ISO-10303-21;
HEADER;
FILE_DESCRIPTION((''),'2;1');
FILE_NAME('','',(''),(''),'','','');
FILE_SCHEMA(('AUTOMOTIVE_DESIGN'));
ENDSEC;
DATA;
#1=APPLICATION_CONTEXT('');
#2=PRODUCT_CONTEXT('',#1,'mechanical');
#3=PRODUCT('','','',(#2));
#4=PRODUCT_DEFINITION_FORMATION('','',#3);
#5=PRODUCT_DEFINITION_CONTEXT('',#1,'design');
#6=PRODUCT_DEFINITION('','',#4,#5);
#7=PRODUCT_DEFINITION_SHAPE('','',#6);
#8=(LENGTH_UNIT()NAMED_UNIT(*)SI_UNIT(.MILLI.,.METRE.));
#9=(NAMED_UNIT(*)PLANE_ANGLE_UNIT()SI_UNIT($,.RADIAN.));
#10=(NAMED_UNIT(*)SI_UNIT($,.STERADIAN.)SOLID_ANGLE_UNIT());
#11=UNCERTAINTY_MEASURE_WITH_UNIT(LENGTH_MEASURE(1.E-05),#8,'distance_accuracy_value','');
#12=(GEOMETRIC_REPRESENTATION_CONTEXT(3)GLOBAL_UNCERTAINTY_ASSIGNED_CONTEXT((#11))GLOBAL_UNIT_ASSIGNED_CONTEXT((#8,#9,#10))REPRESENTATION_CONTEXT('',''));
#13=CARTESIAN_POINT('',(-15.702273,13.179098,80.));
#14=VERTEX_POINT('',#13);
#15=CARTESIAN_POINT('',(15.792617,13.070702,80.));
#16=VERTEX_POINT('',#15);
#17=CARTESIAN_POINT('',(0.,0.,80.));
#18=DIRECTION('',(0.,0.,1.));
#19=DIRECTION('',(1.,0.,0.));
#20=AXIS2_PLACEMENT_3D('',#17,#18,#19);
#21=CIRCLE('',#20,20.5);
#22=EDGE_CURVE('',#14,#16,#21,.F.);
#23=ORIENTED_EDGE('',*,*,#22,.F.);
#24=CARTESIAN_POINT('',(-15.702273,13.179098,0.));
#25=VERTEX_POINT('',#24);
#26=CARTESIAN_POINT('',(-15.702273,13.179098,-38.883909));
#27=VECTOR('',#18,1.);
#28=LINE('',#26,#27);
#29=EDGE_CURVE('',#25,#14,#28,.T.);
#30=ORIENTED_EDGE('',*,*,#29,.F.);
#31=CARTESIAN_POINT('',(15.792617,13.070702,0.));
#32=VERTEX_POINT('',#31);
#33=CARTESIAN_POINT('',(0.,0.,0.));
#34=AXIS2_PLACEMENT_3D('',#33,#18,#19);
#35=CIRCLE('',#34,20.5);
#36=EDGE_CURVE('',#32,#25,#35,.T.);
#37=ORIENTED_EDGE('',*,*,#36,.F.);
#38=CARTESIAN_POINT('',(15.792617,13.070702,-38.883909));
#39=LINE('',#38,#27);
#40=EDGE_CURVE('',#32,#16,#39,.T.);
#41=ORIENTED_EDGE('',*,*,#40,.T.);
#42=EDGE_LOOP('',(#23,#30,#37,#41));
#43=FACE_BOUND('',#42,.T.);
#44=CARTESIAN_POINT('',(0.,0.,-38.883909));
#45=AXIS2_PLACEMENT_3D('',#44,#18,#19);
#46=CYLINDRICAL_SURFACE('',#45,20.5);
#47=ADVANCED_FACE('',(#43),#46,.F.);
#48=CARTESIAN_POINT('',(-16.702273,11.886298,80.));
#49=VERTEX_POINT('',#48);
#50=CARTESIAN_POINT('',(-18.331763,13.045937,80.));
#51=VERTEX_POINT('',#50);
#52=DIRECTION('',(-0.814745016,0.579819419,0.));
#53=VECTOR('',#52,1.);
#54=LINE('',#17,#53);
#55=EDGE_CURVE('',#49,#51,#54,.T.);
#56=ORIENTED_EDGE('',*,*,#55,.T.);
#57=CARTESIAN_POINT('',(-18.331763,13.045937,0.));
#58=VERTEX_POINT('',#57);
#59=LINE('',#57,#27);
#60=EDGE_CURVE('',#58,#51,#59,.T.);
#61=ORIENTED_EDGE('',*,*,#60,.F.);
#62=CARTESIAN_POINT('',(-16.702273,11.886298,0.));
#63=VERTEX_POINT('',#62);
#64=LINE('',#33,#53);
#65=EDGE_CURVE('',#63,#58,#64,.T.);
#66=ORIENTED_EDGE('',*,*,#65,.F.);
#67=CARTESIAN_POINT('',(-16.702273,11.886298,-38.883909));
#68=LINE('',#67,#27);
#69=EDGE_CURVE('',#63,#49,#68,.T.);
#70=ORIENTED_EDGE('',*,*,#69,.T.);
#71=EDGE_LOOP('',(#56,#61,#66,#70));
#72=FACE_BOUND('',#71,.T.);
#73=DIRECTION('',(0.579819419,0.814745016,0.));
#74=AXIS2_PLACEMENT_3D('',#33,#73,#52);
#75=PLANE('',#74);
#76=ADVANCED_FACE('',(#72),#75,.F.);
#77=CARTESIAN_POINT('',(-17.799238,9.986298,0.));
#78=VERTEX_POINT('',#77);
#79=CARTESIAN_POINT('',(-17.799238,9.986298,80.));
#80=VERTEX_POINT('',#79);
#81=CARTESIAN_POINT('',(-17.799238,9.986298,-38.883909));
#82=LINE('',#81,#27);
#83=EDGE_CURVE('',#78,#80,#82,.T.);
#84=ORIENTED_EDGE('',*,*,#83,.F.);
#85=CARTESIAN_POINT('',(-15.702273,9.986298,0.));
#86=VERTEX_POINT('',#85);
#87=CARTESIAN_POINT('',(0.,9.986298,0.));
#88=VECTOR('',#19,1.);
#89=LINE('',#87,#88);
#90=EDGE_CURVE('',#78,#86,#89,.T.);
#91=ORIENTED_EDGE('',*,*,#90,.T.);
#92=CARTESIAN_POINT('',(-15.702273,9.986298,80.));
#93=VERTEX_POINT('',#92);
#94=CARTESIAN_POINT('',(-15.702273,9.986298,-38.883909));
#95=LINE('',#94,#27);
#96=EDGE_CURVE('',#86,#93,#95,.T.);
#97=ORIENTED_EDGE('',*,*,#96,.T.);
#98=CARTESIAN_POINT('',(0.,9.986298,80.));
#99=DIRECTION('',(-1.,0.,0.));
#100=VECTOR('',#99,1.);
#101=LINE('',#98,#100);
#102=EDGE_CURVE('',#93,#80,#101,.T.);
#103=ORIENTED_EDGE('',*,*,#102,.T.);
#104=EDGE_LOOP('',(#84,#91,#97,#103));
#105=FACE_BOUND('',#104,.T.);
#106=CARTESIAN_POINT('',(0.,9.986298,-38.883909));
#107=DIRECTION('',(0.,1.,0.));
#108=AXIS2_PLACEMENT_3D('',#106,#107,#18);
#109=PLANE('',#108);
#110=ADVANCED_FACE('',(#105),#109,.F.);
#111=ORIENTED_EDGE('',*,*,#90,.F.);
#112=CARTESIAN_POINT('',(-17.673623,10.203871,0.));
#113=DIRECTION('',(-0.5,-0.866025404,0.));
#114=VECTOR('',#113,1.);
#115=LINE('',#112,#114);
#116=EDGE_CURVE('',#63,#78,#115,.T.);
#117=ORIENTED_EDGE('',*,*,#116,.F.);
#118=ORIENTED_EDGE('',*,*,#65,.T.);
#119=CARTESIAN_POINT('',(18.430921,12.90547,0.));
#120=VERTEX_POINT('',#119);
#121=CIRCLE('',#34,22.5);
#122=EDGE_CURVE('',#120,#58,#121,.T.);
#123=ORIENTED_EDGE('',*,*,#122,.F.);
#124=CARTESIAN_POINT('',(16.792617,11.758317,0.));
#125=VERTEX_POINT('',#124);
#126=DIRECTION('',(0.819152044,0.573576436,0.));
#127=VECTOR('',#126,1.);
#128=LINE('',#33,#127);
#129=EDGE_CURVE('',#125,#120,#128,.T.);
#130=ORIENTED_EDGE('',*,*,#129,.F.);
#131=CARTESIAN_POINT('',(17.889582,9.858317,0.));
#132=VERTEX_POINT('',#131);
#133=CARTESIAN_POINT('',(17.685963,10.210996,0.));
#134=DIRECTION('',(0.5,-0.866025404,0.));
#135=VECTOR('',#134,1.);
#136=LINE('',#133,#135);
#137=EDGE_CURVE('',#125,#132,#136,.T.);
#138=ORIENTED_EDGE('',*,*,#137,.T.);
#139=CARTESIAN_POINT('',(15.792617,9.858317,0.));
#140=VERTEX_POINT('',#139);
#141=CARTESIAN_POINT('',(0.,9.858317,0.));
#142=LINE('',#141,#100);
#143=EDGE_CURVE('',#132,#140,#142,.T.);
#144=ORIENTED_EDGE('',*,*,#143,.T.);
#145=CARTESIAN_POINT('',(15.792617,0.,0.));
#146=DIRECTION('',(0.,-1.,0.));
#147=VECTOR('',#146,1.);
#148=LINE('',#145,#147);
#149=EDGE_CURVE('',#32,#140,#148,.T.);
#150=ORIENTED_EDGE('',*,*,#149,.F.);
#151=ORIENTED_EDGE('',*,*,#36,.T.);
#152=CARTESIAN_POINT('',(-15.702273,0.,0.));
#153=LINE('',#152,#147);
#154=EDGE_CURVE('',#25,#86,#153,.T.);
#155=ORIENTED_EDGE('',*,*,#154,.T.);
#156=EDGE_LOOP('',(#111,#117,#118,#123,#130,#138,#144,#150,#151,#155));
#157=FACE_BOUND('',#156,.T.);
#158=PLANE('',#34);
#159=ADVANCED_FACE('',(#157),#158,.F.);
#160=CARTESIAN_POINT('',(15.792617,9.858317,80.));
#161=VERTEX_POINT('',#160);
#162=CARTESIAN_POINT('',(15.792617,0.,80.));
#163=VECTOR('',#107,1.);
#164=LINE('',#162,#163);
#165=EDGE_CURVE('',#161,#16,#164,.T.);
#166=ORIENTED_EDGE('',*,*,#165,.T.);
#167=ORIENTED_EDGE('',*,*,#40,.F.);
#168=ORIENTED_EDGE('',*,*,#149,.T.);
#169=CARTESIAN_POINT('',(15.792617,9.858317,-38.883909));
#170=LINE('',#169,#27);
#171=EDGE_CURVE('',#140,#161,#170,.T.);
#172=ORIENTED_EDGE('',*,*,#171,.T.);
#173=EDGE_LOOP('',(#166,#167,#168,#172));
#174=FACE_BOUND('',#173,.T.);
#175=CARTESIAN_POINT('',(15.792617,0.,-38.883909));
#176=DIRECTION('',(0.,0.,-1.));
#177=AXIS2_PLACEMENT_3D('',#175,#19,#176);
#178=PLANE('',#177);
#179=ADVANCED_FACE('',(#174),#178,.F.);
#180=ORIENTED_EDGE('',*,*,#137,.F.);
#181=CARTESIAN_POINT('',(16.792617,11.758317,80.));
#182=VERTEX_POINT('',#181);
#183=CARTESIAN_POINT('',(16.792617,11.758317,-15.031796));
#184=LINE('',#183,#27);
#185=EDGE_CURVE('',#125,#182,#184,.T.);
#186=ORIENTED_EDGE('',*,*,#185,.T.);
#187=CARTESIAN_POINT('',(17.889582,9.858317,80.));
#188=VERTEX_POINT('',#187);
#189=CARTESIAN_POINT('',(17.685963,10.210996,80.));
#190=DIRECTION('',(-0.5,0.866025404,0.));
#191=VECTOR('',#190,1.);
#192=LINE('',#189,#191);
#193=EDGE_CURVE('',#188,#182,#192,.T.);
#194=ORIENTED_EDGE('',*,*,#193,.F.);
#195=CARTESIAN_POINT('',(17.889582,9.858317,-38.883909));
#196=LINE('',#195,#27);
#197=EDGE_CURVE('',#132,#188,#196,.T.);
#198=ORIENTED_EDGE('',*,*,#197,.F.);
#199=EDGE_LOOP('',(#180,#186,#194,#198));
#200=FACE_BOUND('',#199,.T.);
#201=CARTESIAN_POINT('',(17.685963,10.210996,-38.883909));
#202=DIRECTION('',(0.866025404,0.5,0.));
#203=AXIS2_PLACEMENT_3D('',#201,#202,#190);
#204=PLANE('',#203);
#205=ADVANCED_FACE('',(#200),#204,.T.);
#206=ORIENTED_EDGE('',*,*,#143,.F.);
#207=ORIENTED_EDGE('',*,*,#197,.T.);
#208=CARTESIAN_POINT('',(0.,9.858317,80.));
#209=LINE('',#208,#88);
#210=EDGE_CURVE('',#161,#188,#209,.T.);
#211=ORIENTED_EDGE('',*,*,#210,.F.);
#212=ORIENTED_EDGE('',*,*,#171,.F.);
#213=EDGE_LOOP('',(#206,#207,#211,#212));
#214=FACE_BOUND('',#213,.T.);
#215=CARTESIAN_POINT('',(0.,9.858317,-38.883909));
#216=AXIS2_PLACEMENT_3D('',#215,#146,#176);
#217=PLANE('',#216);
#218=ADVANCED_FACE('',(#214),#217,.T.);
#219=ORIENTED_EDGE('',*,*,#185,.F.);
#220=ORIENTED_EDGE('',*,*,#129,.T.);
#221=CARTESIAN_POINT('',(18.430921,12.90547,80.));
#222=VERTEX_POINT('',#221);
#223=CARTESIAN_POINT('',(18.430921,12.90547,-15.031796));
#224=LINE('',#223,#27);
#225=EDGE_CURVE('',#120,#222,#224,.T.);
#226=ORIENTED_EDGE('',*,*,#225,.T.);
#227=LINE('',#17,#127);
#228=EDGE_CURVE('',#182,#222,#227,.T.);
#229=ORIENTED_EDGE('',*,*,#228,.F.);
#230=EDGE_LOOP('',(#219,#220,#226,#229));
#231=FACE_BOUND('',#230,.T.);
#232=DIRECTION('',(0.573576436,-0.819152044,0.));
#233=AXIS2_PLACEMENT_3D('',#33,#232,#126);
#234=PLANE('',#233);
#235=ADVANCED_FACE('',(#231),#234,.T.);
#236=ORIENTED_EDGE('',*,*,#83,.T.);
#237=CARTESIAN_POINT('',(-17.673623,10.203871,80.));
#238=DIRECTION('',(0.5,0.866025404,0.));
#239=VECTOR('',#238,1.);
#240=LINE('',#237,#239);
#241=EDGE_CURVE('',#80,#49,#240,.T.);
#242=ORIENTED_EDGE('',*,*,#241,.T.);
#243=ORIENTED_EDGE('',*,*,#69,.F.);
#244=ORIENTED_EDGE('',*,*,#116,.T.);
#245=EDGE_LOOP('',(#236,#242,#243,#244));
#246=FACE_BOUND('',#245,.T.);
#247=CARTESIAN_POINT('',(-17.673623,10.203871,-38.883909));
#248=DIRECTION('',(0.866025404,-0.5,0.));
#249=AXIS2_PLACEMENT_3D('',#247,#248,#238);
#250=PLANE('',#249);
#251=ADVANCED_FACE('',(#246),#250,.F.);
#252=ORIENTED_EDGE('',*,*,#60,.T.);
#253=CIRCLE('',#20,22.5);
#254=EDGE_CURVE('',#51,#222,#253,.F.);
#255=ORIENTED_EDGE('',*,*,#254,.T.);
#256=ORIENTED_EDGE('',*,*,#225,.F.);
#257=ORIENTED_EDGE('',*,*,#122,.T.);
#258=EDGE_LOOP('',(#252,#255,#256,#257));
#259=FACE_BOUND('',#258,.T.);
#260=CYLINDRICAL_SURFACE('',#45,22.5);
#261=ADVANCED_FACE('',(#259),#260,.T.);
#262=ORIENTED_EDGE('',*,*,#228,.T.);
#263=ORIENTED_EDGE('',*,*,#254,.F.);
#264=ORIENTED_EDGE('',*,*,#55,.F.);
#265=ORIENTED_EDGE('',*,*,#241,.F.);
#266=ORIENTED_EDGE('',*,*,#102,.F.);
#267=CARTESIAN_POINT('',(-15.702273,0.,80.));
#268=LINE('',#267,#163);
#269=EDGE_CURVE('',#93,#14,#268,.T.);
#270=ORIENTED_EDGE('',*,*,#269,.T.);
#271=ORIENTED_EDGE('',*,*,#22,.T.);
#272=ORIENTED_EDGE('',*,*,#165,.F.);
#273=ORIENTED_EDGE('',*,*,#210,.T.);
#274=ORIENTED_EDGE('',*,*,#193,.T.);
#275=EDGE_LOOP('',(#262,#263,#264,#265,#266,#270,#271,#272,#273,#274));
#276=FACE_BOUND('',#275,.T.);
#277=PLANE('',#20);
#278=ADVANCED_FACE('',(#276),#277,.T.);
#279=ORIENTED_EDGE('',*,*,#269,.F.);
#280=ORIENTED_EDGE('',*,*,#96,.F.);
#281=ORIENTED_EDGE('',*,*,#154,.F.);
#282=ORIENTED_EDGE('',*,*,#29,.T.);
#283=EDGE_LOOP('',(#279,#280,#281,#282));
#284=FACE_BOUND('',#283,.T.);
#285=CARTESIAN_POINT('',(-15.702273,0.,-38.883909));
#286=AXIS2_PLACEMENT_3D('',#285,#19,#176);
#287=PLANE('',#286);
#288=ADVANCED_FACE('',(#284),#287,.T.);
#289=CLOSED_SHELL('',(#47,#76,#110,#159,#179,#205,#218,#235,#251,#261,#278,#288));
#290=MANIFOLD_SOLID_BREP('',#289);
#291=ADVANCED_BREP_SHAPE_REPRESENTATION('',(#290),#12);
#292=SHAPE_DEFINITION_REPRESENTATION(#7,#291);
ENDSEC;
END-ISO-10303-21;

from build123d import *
from build123d.topology import SkipClean

# Parameters (mm, degrees)
SKETCH1_R           = 22.5
SKETCH1_R_2         = 20.5
BOSS_EXTRUDE1_DEPTH = 80
SKETCH2_W           = 45
SKETCH2_H           = 22.5
CUT_EXTRUDE1_DEPTH  = 87.095876789
SKETCH4_W           = 4.401808348
SKETCH4_H           = 1
SKETCH4_W_2         = 1
SKETCH4_H_2         = 3
BOSS_EXTRUDE2_DEPTH = 80
BOSS_EXTRUDE3_START = -80
BOSS_EXTRUDE3_DEPTH = 80
CUT_EXTRUDE2_DEPTH  = 87.095876789


with BuildPart() as part:
    # Sketch1 → Boss-Extrude1 (new body)
    with BuildSketch(Plane.XY):
        Circle(SKETCH1_R)
        Circle(SKETCH1_R_2, mode=Mode.SUBTRACT)
    extrude(amount=BOSS_EXTRUDE1_DEPTH)

    # Sketch2 → Cut-Extrude1 (cut, through all)
    with BuildSketch(Plane.XY.offset(80)):
        with Locations((0, 11.25)):
            Rectangle(SKETCH2_W, SKETCH2_H)
    extrude(amount=-CUT_EXTRUDE1_DEPTH, mode=Mode.SUBTRACT)


with BuildPart() as body_2:
    # Sketch4 → Boss-Extrude2 (new body)
    with BuildSketch(Plane.XY.offset(80)):
        with BuildLine():
            ThreePointArc((22.5, 0), (21.654908627, 6.108594957), (19.183117125, 11.758316945))
            Line((19.183117125, 11.758316945), (19.183117125, 8.758316945))
            Line((19.183117125, 8.758316945), (18.534882905, 8.758316945))
            ThreePointArc((18.534882905, 8.758316945), (20.002688564, 4.488034116), (20.5, 0))
            Line((20.5, 0), (22.5, 0))
        make_face()
        Polygon((16.792616908, 11.758316945), (18.430920997, 12.905469818), (19.183117125, 11.758316945), align=None)
        with BuildLine():
            Line((19.183117125, 8.758316945), (19.183117125, 11.758316945))
            Line((19.183117125, 11.758316945), (16.792616908, 11.758316945))
            ThreePointArc((16.792616908, 11.758316945), (17.439231391, 10.776047906), (18.028456684, 9.758316945))
            ThreePointArc((18.028456684, 9.758316945), (18.288505966, 9.261778962), (18.534882905, 8.758316945))
            Line((18.534882905, 8.758316945), (19.183117125, 8.758316945))
        make_face()
        with BuildLine():
            Line((15.792616908, 9.758316945), (15.792616908, 11.758316945))
            Line((15.792616908, 11.758316945), (14.792616908, 11.758316945))
            Line((14.792616908, 11.758316945), (14.792616908, 8.758316945))
            Line((14.792616908, 8.758316945), (18.534882905, 8.758316945))
            ThreePointArc((18.534882905, 8.758316945), (18.288505966, 9.261778962), (18.028456684, 9.758316945))
            Line((18.028456684, 9.758316945), (15.792616908, 9.758316945))
        make_face()
        with BuildLine():
            Line((-16.702272837, 11.886298081), (-18.340620511, 13.033481472))
            ThreePointArc((-18.340620511, 13.033481472), (-21.43494765, 6.840542322), (-22.5, 0))
            Line((-22.5, 0), (-20.5, 0))
            ThreePointArc((-20.5, 0), (-19.527501033, 6.239126815), (-16.702272837, 11.886298081))
        make_face()
        with Locations((-16.903177011, 9.386298081)):
            Rectangle(SKETCH4_W, SKETCH4_H)
        with Locations((-15.202272837, 10.386298081)):
            Rectangle(SKETCH4_W_2, SKETCH4_H_2)
    extrude(amount=-BOSS_EXTRUDE2_DEPTH)

    # Sketch5 → Boss-Extrude3 (add)
    with SkipClean():  # the faces are left unmerged after this step: merging them gives an invalid solid
        with BuildSketch(Plane.XY.offset(80).offset(BOSS_EXTRUDE3_START)):
            with BuildLine():
                Line((16.792616908, 14.391966981), (16.792616908, 11.758316945))
                Line((16.792616908, 11.758316945), (18.430920997, 12.905469818))
                ThreePointArc((18.430920997, 12.905469818), (0.078328094, 22.49986366), (-18.340620511, 13.033481472))
                Line((-18.340620511, 13.033481472), (-16.702272837, 11.886298081))
                Line((-16.702272837, 11.886298081), (-16.702272837, 13.843152405))
                Line((-16.702272837, 13.843152405), (-15.702272837, 13.843152405))
                Line((-15.702272837, 13.843152405), (-15.702272837, 13.179098139))
                ThreePointArc((-15.702272837, 13.179098139), (0.070554536, 20.499878586), (15.792616908, 13.070702016))
                Line((15.792616908, 13.070702016), (15.792616908, 14.391966981))
                Line((15.792616908, 14.391966981), (16.792616908, 14.391966981))
            make_face()
            with BuildLine():
                Line((15.792616908, 11.758316945), (16.792616908, 11.758316945))
                ThreePointArc((16.792616908, 11.758316945), (16.30582578, 12.424574264), (15.792616908, 13.070702016))
                Line((15.792616908, 13.070702016), (15.792616908, 11.758316945))
            make_face()
            with BuildLine():
                ThreePointArc((15.792616908, 13.070702016), (16.30582578, 12.424574264), (16.792616908, 11.758316945))
                Line((16.792616908, 11.758316945), (16.792616908, 14.391966981))
                Line((16.792616908, 14.391966981), (15.792616908, 14.391966981))
                Line((15.792616908, 14.391966981), (15.792616908, 13.070702016))
            make_face()
            Polygon((17.889582419, 9.858316945), (16.792616908, 11.758316945), (15.792616908, 11.758316945), (15.792616908, 9.858316945), align=None)
            Polygon((-15.702272837, 11.886298081), (-15.702272837, 9.986298081), (-17.799238349, 9.986298081), (-16.702272837, 11.886298081), align=None)
            with BuildLine():
                Line((-15.702272837, 11.886298081), (-15.702272837, 13.179098139))
                ThreePointArc((-15.702272837, 13.179098139), (-16.215161982, 12.542668054), (-16.702272837, 11.886298081))
                Line((-16.702272837, 11.886298081), (-15.702272837, 11.886298081))
            make_face()
            with BuildLine():
                ThreePointArc((-16.702272837, 11.886298081), (-16.215161982, 12.542668054), (-15.702272837, 13.179098139))
                Line((-15.702272837, 13.179098139), (-15.702272837, 13.843152405))
                Line((-15.702272837, 13.843152405), (-16.702272837, 13.843152405))
                Line((-16.702272837, 13.843152405), (-16.702272837, 11.886298081))
            make_face()
        extrude(amount=BOSS_EXTRUDE3_DEPTH)


with BuildPart() as cut_extrude2_tool:
    # Sketch6 → Cut-Extrude2 (new, through all)
    with BuildSketch(Plane.XY.offset(80)):
        with BuildLine():
            Line((-22.5, 0), (-20.5, 0))
            ThreePointArc((-20.5, 0), (-19.98704884, 4.557178804), (-18.473865497, 8.886298081))
            Line((-18.473865497, 8.886298081), (-19.42662195, 8.886298081))
            Line((-19.42662195, 8.886298081), (-19.42662195, 9.886298081))
            Line((-19.42662195, 9.886298081), (-17.958594328, 9.886298081))
            ThreePointArc((-17.958594328, 9.886298081), (-17.359260588, 10.904406074), (-16.702272837, 11.886298081))
            Line((-16.702272837, 11.886298081), (-18.33176287, 13.045936918))
            ThreePointArc((-18.33176287, 13.045936918), (-21.432623085, 6.847822114), (-22.5, 0))
        make_face()
        with BuildLine():
            Line((22.5, 0), (20.5, 0))
            ThreePointArc((20.5, 0), (0, -20.5), (-20.5, 0))
            Line((-20.5, 0), (-22.5, 0))
            ThreePointArc((-22.5, 0), (0, -22.5), (22.5, 0))
        make_face()
        with BuildLine():
            Line((-19.42662195, 8.886298081), (-18.473865497, 8.886298081))
            ThreePointArc((-18.473865497, 8.886298081), (-18.223090634, 9.389833213), (-17.958594328, 9.886298081))
            Line((-17.958594328, 9.886298081), (-19.42662195, 9.886298081))
            Line((-19.42662195, 9.886298081), (-19.42662195, 8.886298081))
        make_face()
        with BuildLine():
            ThreePointArc((-17.958594328, 9.886298081), (-18.223090634, 9.389833213), (-18.473865497, 8.886298081))
            Line((-18.473865497, 8.886298081), (-15.702272837, 8.886298081))
            Line((-15.702272837, 8.886298081), (-15.702272837, 9.886298081))
            Line((-15.702272837, 9.886298081), (-17.958594328, 9.886298081))
        make_face()
        Polygon((-15.702272837, 9.886298081), (-15.702272837, 8.886298081), (-14.702272837, 8.886298081), (-14.702272837, 11.886298081), (-15.702272837, 11.886298081), (-15.702272837, 9.986298081), align=None)
        Polygon((15.792616908, 11.758316945), (14.792616908, 11.758316945), (14.792616908, 8.758316945), (15.792616908, 8.758316945), (15.792616908, 9.758316945), (15.792616908, 9.858316945), align=None)
        with BuildLine():
            Line((15.792616908, 9.758316945), (15.792616908, 8.758316945))
            Line((15.792616908, 8.758316945), (18.534882905, 8.758316945))
            ThreePointArc((18.534882905, 8.758316945), (18.288505966, 9.261778962), (18.028456684, 9.758316945))
            Line((18.028456684, 9.758316945), (15.792616908, 9.758316945))
        make_face()
        with BuildLine():
            ThreePointArc((18.028456684, 9.758316945), (18.288505966, 9.261778962), (18.534882905, 8.758316945))
            Line((18.534882905, 8.758316945), (19.161355292, 8.758316945))
            Line((19.161355292, 8.758316945), (19.161355292, 9.758316945))
            Line((19.161355292, 9.758316945), (18.028456684, 9.758316945))
        make_face()
        with BuildLine():
            Line((19.161355292, 8.758316945), (18.534882905, 8.758316945))
            ThreePointArc((18.534882905, 8.758316945), (20.002688564, 4.488034116), (20.5, 0))
            Line((20.5, 0), (22.5, 0))
            ThreePointArc((22.5, 0), (21.654908627, 6.108594957), (19.183117125, 11.758316945))
            Line((19.183117125, 11.758316945), (18.430920997, 12.905469818))
            Line((18.430920997, 12.905469818), (16.792616908, 11.758316945))
            ThreePointArc((16.792616908, 11.758316945), (17.439231391, 10.776047906), (18.028456684, 9.758316945))
            Line((18.028456684, 9.758316945), (19.161355292, 9.758316945))
            Line((19.161355292, 9.758316945), (19.161355292, 8.758316945))
        make_face()
    extrude(amount=-CUT_EXTRUDE2_DEPTH)


with BuildPart() as part_1:
    add(part.part)

    # Cut-Extrude2: cut by cut_extrude2_tool
    add(cut_extrude2_tool.part, mode=Mode.SUBTRACT)


with BuildPart() as body_2_1:
    add(body_2.part)

    # Cut-Extrude2: cut by cut_extrude2_tool
    add(cut_extrude2_tool.part, mode=Mode.SUBTRACT)


solid = body_2_1.part
